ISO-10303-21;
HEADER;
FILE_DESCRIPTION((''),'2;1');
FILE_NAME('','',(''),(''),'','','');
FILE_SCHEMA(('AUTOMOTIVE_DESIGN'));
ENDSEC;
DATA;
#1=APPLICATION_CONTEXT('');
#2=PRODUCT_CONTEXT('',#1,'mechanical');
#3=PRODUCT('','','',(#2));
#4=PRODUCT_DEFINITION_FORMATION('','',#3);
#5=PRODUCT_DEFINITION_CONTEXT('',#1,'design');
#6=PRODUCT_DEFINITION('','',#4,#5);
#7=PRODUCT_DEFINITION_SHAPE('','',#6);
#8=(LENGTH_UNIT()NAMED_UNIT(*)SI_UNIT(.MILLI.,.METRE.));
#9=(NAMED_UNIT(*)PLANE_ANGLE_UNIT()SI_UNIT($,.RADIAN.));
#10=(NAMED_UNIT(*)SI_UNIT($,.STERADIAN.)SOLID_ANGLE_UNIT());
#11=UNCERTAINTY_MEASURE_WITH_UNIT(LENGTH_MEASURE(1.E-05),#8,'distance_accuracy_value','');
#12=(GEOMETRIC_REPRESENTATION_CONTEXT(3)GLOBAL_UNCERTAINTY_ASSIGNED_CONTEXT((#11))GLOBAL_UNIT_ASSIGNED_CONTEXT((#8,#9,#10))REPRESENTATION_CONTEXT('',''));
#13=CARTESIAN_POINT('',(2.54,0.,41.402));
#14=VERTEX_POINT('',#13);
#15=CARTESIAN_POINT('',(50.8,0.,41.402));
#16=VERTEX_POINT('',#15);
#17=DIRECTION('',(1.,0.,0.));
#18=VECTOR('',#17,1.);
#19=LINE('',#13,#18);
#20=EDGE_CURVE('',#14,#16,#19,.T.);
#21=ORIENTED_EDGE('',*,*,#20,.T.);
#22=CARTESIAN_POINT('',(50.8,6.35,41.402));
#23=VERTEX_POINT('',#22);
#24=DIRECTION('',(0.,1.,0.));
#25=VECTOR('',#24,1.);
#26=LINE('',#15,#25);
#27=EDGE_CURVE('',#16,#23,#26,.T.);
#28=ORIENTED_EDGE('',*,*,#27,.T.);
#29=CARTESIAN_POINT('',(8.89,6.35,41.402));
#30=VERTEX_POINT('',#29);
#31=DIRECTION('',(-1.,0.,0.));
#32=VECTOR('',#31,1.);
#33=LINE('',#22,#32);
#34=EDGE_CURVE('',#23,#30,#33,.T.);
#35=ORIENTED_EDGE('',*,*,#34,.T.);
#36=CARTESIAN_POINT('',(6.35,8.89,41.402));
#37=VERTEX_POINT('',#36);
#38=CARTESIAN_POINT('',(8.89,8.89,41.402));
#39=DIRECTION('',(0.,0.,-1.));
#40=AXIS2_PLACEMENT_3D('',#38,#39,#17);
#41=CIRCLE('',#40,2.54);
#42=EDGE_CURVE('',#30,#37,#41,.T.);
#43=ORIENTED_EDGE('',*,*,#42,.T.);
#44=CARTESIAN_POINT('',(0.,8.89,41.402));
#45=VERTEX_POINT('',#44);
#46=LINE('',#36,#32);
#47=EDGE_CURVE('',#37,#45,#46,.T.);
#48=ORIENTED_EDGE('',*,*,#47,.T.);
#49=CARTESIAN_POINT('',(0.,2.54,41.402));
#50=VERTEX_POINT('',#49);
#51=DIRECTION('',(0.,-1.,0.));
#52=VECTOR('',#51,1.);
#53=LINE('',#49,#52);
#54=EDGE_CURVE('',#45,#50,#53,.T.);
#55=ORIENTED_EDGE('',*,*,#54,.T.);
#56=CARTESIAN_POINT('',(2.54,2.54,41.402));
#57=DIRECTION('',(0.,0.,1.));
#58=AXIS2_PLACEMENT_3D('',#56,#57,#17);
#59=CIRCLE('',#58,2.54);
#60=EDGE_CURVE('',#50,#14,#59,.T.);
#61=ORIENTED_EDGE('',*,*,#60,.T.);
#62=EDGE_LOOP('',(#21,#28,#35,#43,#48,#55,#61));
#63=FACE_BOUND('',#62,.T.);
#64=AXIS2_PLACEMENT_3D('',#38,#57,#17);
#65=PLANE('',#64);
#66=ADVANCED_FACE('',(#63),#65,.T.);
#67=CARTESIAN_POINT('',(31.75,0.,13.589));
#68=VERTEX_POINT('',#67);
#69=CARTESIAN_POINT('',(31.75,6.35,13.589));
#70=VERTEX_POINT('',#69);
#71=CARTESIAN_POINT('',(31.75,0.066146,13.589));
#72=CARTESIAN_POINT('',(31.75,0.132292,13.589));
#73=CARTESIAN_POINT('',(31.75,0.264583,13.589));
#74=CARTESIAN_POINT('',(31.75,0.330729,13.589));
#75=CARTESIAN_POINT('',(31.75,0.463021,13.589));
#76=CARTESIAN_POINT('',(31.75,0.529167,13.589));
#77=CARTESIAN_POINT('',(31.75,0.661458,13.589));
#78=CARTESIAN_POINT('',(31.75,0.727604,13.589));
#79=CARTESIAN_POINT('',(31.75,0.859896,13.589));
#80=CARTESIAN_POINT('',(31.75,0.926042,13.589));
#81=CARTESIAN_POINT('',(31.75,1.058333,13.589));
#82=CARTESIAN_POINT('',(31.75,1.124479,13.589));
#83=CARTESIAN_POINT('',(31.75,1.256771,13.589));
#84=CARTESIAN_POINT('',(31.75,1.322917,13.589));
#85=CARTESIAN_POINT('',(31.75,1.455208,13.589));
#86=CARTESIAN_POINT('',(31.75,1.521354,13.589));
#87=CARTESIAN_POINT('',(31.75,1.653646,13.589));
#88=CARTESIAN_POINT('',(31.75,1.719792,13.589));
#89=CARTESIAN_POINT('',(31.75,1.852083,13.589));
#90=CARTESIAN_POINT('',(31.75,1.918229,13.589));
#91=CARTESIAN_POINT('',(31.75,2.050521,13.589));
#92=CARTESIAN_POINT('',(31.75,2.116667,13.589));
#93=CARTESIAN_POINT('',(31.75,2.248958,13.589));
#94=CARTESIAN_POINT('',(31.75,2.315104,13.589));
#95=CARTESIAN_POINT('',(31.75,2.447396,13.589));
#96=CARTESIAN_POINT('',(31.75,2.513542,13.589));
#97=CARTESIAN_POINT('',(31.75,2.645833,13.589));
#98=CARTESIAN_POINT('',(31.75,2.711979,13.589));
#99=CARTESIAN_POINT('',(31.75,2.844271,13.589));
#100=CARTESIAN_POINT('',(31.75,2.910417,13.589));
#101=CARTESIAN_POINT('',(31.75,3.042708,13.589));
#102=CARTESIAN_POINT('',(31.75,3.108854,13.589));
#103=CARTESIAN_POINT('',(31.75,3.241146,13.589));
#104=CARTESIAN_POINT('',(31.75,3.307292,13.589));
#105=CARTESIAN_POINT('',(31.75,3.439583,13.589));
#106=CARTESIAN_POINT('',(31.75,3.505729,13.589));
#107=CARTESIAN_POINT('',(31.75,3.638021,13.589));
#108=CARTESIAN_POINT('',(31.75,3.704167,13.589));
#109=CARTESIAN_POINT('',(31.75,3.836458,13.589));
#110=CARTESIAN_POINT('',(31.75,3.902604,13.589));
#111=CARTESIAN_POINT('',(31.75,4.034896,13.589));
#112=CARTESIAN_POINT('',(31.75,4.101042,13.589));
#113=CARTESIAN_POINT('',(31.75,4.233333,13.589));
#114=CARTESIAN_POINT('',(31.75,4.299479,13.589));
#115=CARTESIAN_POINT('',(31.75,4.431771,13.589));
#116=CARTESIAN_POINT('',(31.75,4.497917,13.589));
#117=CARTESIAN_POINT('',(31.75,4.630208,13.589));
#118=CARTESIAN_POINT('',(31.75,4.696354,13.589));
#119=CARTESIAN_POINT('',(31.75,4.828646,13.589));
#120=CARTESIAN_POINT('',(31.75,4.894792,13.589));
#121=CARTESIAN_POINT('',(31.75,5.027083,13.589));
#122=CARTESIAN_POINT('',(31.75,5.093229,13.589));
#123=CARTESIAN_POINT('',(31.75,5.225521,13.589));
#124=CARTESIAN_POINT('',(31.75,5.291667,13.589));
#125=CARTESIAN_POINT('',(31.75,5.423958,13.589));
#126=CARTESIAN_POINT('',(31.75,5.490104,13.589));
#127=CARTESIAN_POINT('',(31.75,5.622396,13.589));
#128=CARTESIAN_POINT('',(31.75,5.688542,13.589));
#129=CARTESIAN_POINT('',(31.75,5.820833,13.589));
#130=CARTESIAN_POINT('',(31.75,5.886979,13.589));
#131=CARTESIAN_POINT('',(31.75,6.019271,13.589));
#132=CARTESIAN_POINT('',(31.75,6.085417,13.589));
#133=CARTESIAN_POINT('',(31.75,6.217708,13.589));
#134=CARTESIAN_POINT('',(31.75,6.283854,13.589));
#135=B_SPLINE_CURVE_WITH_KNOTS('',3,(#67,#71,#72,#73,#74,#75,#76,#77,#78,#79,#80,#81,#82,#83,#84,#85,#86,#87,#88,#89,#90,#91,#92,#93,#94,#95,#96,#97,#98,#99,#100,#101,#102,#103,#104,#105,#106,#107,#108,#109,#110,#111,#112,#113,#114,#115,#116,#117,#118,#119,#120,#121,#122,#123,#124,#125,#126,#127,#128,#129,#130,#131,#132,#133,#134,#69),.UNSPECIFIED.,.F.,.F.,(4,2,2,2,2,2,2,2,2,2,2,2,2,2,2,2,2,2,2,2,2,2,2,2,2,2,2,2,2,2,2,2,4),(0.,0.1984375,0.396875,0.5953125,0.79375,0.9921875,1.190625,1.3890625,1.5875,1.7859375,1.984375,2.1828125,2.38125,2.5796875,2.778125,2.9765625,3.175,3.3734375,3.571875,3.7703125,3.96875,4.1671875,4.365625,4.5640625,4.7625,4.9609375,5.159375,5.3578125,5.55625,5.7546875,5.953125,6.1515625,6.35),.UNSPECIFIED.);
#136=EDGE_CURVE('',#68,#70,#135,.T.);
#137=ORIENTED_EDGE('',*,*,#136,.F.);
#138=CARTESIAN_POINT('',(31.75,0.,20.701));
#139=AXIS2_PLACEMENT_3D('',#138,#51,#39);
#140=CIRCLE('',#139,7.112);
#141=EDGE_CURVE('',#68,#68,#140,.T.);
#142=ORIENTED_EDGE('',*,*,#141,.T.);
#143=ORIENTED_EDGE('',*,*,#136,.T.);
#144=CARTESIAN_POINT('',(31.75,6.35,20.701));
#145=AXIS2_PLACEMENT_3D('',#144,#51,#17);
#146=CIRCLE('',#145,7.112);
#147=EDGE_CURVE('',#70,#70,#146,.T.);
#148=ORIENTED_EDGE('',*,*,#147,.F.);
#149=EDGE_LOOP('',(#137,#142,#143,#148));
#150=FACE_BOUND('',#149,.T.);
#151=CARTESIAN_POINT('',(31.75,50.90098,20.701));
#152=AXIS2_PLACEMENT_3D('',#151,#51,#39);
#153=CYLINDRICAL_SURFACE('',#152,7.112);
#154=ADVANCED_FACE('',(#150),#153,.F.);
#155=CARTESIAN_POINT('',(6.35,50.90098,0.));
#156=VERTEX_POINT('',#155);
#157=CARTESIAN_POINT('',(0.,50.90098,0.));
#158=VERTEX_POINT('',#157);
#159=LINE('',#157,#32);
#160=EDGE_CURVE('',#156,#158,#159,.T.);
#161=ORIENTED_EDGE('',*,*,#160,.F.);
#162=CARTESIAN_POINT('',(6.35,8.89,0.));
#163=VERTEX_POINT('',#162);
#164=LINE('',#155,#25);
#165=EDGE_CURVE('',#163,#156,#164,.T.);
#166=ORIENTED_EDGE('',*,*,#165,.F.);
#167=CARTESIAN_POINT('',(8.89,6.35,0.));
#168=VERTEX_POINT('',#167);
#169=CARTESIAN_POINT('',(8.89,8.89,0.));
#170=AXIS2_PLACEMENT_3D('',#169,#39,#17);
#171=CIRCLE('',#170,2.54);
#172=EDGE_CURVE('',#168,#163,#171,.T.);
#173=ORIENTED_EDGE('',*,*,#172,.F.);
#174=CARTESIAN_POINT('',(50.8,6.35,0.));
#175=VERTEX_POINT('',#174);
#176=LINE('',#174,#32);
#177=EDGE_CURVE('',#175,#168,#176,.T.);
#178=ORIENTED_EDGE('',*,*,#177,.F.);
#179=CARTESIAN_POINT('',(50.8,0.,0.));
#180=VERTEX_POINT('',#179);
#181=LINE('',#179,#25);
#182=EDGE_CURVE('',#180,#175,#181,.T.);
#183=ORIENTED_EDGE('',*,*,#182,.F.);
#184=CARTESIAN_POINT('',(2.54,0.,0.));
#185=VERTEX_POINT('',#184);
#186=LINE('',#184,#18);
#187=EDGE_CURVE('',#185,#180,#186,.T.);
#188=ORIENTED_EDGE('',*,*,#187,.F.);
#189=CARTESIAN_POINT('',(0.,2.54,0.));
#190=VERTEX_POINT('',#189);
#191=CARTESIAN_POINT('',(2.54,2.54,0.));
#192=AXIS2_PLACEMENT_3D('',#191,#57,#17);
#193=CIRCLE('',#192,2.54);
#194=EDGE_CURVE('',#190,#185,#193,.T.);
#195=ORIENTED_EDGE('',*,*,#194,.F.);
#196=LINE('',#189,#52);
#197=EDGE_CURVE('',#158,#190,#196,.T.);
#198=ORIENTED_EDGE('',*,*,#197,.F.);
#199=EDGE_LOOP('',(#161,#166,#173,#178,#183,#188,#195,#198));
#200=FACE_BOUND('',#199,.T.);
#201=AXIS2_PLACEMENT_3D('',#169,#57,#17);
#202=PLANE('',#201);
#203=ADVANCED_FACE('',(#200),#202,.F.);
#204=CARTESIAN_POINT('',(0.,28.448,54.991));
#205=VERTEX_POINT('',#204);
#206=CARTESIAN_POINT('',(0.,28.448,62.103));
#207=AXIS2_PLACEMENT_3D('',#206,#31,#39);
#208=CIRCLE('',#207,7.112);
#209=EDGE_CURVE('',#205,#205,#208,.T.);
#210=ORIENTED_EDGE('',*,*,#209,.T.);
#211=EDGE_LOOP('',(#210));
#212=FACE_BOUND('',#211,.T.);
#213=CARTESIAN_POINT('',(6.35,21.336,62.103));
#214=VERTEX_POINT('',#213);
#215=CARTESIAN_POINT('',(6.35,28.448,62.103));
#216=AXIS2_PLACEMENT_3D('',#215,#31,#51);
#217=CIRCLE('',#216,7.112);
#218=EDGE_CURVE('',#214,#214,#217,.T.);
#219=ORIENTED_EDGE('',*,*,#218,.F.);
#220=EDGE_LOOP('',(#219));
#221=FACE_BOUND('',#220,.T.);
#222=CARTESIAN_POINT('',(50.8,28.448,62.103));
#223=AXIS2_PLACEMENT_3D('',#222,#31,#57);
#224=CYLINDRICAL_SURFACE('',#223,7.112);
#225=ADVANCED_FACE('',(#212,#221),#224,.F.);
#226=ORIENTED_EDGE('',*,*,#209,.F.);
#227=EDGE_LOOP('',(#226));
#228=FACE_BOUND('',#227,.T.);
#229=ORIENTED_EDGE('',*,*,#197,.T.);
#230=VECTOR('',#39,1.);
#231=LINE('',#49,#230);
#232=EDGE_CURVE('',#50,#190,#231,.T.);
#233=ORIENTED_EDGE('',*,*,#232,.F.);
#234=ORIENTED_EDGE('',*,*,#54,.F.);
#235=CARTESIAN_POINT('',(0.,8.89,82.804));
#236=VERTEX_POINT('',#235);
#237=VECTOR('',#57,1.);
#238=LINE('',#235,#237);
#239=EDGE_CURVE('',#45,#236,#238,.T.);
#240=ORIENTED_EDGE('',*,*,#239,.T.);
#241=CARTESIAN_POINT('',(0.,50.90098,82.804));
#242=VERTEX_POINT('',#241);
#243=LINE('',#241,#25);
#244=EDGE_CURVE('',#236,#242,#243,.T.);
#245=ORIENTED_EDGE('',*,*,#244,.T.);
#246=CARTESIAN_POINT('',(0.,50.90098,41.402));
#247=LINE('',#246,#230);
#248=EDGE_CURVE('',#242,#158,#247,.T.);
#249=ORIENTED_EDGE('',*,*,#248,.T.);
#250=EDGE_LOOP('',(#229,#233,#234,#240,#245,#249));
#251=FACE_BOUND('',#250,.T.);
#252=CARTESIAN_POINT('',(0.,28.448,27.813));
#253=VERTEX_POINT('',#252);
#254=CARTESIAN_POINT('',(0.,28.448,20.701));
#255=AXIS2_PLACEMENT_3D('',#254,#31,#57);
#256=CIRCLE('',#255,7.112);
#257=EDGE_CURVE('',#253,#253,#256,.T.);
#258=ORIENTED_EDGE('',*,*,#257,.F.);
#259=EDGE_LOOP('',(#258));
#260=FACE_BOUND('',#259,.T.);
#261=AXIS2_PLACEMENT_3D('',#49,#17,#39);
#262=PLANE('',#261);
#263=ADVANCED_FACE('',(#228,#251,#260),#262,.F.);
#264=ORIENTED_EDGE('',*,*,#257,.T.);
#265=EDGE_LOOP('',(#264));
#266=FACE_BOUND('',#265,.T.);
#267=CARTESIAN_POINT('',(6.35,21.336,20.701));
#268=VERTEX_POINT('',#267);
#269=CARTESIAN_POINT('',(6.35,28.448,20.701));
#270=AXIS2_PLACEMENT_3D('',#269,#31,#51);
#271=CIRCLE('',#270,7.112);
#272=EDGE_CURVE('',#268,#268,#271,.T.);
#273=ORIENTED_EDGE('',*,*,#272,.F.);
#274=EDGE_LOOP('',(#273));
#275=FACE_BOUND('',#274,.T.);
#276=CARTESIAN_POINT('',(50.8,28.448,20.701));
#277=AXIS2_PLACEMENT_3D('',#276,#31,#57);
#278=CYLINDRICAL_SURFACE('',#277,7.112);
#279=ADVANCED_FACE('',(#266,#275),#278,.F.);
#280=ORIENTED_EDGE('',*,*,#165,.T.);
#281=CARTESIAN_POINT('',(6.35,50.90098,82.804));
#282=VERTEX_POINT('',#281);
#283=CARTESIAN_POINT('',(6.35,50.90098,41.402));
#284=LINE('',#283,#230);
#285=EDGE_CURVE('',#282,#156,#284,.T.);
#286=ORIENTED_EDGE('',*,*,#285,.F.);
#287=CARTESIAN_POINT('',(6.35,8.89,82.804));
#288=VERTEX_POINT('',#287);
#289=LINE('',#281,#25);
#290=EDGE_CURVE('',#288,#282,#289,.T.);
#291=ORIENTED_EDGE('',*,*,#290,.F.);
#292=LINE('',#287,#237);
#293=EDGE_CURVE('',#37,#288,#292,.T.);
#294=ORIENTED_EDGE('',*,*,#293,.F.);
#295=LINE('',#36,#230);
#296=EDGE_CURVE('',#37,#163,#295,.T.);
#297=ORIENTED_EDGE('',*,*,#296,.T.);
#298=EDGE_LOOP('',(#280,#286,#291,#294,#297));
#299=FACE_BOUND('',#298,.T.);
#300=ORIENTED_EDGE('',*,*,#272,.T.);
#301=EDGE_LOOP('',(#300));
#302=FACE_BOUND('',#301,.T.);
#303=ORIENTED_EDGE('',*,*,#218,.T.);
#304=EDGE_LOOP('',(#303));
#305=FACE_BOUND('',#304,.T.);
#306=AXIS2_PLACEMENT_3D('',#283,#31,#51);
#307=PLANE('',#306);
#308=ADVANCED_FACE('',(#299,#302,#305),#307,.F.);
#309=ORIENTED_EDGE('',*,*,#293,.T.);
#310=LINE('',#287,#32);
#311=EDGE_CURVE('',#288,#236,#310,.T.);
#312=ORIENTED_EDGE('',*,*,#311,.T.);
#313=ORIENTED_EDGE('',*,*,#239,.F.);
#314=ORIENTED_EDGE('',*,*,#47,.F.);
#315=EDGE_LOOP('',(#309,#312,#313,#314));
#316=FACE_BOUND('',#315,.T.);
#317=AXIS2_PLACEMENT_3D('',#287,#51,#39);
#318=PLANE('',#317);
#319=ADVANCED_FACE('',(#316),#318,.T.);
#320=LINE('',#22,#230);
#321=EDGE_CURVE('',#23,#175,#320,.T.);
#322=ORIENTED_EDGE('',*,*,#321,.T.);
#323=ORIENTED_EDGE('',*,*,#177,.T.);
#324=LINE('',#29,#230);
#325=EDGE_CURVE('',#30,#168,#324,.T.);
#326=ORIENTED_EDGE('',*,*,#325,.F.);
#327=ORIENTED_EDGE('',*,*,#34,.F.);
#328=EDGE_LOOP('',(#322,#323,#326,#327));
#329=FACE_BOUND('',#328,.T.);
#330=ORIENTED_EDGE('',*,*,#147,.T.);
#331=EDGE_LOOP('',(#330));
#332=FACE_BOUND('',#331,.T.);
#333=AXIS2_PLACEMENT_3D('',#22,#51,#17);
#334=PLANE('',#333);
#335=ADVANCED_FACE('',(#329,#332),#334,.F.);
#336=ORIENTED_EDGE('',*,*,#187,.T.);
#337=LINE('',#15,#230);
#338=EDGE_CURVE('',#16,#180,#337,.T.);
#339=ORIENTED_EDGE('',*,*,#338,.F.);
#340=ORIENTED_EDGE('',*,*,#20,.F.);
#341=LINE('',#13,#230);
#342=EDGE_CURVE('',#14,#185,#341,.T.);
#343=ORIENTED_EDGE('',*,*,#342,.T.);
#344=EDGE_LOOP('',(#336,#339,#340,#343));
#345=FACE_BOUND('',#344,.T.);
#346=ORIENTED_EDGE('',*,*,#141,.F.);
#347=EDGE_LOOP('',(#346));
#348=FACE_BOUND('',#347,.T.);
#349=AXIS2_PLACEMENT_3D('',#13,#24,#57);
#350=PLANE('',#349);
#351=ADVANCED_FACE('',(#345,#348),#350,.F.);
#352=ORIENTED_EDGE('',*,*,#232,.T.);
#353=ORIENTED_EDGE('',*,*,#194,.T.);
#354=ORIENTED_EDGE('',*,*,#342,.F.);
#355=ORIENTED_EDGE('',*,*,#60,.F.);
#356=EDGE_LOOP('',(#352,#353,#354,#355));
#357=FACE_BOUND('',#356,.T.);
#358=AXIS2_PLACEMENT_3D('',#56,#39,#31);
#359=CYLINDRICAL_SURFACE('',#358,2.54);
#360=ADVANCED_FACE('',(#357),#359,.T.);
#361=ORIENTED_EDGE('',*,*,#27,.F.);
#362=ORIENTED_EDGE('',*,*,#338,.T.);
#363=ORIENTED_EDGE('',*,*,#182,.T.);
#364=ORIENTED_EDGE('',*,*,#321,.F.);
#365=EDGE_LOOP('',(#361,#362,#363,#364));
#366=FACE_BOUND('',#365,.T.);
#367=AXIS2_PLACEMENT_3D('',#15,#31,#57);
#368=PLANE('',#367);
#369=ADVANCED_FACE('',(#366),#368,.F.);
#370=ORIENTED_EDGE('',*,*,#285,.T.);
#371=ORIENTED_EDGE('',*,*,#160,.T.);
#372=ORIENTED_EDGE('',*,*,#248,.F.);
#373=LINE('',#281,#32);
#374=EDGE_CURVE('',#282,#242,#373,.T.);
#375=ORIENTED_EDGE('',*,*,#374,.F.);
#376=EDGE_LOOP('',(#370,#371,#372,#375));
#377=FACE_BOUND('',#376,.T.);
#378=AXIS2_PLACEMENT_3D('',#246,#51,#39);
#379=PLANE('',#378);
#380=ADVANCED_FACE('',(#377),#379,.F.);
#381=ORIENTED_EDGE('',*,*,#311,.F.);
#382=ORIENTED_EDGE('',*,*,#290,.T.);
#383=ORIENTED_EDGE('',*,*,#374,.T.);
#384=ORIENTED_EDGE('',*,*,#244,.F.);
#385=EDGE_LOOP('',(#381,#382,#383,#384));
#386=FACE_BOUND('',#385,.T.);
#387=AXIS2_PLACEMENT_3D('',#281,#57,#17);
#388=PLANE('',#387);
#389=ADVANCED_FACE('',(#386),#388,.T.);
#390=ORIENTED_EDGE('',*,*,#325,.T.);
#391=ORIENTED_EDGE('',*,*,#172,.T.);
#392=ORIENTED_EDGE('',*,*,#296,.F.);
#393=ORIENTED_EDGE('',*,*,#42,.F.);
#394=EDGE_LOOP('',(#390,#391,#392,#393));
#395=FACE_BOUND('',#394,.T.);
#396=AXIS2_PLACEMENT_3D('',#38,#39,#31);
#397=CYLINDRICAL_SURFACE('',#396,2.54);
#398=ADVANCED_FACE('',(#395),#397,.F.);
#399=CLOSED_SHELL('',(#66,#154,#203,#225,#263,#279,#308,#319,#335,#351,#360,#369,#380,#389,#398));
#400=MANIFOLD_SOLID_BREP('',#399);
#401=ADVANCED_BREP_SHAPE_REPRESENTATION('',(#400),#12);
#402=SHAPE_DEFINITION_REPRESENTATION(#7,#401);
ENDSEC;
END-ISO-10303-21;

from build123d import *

# Parameters (mm, degrees)
EXTRUDE_1_DEPTH     = 41.402
SKETCH_4_R          = 7.112
CUT_EXTRUDE_1_DEPTH = 83.979969858
SKETCH_3_R          = 7.112
CUT_EXTRUDE_2_DEPTH = 83.979969858
SKETCH1_W           = 41.402
SKETCH1_H           = 42.010980282
BOSS_EXTRUDE1_DEPTH = 6.35
SKETCH3_R           = 7.112
CUT_EXTRUDE1_DEPTH  = 110.672476992


with BuildPart() as part:
    # 草图1 → 凸台-拉伸1 (new body)
    with BuildSketch(Plane.XY):
        with BuildLine():
            Line((2.54, 0), (50.8, 0))
            Line((50.8, 0), (50.8, 6.35))
            Line((50.8, 6.35), (8.89, 6.35))
            ThreePointArc((8.89, 6.35), (7.093948776, 7.093948776), (6.35, 8.89))
            Line((6.35, 8.89), (6.35, 50.900980282))
            Line((6.35, 50.900980282), (0, 50.900980282))
            Line((0, 50.900980282), (0, 2.54))
            ThreePointArc((0, 2.54), (0.743948776, 0.743948776), (2.54, 0))
        make_face()
    extrude(amount=EXTRUDE_1_DEPTH)

    # 草图4 → 切除-拉伸1 (cut, through all)
    with BuildSketch(Plane.ZY):
        with Locations((20.701, 28.448)):
            Circle(SKETCH_4_R)
    extrude(amount=-CUT_EXTRUDE_1_DEPTH, mode=Mode.SUBTRACT)

    # 草图3 → 切除-拉伸2 (cut, through all)
    with BuildSketch(Plane(origin=(0, 0, 0), x_dir=(-1, 0, 0), z_dir=(0, -1, 0))):
        with Locations(Location((-31.75, -20.701, 0), (0, 0, 90))):
            Circle(SKETCH_3_R)
    extrude(amount=-CUT_EXTRUDE_2_DEPTH, mode=Mode.SUBTRACT)

    # Sketch1 → Boss-Extrude1 (add)
    with BuildSketch(Plane.ZY):
        with Locations((62.103, 29.895490141)):
            Rectangle(SKETCH1_W, SKETCH1_H)
    extrude(amount=-BOSS_EXTRUDE1_DEPTH)

    # Sketch3 → Cut-Extrude1 (cut, through all)
    with BuildSketch(Plane.ZY):
        with Locations((20.701, 28.448)):
            Circle(SKETCH3_R)
        with Locations(Location((62.103, 28.448, 0), (0, 0, 270))):
            Circle(SKETCH3_R)
    extrude(amount=-CUT_EXTRUDE1_DEPTH, mode=Mode.SUBTRACT)


solid = part.part
